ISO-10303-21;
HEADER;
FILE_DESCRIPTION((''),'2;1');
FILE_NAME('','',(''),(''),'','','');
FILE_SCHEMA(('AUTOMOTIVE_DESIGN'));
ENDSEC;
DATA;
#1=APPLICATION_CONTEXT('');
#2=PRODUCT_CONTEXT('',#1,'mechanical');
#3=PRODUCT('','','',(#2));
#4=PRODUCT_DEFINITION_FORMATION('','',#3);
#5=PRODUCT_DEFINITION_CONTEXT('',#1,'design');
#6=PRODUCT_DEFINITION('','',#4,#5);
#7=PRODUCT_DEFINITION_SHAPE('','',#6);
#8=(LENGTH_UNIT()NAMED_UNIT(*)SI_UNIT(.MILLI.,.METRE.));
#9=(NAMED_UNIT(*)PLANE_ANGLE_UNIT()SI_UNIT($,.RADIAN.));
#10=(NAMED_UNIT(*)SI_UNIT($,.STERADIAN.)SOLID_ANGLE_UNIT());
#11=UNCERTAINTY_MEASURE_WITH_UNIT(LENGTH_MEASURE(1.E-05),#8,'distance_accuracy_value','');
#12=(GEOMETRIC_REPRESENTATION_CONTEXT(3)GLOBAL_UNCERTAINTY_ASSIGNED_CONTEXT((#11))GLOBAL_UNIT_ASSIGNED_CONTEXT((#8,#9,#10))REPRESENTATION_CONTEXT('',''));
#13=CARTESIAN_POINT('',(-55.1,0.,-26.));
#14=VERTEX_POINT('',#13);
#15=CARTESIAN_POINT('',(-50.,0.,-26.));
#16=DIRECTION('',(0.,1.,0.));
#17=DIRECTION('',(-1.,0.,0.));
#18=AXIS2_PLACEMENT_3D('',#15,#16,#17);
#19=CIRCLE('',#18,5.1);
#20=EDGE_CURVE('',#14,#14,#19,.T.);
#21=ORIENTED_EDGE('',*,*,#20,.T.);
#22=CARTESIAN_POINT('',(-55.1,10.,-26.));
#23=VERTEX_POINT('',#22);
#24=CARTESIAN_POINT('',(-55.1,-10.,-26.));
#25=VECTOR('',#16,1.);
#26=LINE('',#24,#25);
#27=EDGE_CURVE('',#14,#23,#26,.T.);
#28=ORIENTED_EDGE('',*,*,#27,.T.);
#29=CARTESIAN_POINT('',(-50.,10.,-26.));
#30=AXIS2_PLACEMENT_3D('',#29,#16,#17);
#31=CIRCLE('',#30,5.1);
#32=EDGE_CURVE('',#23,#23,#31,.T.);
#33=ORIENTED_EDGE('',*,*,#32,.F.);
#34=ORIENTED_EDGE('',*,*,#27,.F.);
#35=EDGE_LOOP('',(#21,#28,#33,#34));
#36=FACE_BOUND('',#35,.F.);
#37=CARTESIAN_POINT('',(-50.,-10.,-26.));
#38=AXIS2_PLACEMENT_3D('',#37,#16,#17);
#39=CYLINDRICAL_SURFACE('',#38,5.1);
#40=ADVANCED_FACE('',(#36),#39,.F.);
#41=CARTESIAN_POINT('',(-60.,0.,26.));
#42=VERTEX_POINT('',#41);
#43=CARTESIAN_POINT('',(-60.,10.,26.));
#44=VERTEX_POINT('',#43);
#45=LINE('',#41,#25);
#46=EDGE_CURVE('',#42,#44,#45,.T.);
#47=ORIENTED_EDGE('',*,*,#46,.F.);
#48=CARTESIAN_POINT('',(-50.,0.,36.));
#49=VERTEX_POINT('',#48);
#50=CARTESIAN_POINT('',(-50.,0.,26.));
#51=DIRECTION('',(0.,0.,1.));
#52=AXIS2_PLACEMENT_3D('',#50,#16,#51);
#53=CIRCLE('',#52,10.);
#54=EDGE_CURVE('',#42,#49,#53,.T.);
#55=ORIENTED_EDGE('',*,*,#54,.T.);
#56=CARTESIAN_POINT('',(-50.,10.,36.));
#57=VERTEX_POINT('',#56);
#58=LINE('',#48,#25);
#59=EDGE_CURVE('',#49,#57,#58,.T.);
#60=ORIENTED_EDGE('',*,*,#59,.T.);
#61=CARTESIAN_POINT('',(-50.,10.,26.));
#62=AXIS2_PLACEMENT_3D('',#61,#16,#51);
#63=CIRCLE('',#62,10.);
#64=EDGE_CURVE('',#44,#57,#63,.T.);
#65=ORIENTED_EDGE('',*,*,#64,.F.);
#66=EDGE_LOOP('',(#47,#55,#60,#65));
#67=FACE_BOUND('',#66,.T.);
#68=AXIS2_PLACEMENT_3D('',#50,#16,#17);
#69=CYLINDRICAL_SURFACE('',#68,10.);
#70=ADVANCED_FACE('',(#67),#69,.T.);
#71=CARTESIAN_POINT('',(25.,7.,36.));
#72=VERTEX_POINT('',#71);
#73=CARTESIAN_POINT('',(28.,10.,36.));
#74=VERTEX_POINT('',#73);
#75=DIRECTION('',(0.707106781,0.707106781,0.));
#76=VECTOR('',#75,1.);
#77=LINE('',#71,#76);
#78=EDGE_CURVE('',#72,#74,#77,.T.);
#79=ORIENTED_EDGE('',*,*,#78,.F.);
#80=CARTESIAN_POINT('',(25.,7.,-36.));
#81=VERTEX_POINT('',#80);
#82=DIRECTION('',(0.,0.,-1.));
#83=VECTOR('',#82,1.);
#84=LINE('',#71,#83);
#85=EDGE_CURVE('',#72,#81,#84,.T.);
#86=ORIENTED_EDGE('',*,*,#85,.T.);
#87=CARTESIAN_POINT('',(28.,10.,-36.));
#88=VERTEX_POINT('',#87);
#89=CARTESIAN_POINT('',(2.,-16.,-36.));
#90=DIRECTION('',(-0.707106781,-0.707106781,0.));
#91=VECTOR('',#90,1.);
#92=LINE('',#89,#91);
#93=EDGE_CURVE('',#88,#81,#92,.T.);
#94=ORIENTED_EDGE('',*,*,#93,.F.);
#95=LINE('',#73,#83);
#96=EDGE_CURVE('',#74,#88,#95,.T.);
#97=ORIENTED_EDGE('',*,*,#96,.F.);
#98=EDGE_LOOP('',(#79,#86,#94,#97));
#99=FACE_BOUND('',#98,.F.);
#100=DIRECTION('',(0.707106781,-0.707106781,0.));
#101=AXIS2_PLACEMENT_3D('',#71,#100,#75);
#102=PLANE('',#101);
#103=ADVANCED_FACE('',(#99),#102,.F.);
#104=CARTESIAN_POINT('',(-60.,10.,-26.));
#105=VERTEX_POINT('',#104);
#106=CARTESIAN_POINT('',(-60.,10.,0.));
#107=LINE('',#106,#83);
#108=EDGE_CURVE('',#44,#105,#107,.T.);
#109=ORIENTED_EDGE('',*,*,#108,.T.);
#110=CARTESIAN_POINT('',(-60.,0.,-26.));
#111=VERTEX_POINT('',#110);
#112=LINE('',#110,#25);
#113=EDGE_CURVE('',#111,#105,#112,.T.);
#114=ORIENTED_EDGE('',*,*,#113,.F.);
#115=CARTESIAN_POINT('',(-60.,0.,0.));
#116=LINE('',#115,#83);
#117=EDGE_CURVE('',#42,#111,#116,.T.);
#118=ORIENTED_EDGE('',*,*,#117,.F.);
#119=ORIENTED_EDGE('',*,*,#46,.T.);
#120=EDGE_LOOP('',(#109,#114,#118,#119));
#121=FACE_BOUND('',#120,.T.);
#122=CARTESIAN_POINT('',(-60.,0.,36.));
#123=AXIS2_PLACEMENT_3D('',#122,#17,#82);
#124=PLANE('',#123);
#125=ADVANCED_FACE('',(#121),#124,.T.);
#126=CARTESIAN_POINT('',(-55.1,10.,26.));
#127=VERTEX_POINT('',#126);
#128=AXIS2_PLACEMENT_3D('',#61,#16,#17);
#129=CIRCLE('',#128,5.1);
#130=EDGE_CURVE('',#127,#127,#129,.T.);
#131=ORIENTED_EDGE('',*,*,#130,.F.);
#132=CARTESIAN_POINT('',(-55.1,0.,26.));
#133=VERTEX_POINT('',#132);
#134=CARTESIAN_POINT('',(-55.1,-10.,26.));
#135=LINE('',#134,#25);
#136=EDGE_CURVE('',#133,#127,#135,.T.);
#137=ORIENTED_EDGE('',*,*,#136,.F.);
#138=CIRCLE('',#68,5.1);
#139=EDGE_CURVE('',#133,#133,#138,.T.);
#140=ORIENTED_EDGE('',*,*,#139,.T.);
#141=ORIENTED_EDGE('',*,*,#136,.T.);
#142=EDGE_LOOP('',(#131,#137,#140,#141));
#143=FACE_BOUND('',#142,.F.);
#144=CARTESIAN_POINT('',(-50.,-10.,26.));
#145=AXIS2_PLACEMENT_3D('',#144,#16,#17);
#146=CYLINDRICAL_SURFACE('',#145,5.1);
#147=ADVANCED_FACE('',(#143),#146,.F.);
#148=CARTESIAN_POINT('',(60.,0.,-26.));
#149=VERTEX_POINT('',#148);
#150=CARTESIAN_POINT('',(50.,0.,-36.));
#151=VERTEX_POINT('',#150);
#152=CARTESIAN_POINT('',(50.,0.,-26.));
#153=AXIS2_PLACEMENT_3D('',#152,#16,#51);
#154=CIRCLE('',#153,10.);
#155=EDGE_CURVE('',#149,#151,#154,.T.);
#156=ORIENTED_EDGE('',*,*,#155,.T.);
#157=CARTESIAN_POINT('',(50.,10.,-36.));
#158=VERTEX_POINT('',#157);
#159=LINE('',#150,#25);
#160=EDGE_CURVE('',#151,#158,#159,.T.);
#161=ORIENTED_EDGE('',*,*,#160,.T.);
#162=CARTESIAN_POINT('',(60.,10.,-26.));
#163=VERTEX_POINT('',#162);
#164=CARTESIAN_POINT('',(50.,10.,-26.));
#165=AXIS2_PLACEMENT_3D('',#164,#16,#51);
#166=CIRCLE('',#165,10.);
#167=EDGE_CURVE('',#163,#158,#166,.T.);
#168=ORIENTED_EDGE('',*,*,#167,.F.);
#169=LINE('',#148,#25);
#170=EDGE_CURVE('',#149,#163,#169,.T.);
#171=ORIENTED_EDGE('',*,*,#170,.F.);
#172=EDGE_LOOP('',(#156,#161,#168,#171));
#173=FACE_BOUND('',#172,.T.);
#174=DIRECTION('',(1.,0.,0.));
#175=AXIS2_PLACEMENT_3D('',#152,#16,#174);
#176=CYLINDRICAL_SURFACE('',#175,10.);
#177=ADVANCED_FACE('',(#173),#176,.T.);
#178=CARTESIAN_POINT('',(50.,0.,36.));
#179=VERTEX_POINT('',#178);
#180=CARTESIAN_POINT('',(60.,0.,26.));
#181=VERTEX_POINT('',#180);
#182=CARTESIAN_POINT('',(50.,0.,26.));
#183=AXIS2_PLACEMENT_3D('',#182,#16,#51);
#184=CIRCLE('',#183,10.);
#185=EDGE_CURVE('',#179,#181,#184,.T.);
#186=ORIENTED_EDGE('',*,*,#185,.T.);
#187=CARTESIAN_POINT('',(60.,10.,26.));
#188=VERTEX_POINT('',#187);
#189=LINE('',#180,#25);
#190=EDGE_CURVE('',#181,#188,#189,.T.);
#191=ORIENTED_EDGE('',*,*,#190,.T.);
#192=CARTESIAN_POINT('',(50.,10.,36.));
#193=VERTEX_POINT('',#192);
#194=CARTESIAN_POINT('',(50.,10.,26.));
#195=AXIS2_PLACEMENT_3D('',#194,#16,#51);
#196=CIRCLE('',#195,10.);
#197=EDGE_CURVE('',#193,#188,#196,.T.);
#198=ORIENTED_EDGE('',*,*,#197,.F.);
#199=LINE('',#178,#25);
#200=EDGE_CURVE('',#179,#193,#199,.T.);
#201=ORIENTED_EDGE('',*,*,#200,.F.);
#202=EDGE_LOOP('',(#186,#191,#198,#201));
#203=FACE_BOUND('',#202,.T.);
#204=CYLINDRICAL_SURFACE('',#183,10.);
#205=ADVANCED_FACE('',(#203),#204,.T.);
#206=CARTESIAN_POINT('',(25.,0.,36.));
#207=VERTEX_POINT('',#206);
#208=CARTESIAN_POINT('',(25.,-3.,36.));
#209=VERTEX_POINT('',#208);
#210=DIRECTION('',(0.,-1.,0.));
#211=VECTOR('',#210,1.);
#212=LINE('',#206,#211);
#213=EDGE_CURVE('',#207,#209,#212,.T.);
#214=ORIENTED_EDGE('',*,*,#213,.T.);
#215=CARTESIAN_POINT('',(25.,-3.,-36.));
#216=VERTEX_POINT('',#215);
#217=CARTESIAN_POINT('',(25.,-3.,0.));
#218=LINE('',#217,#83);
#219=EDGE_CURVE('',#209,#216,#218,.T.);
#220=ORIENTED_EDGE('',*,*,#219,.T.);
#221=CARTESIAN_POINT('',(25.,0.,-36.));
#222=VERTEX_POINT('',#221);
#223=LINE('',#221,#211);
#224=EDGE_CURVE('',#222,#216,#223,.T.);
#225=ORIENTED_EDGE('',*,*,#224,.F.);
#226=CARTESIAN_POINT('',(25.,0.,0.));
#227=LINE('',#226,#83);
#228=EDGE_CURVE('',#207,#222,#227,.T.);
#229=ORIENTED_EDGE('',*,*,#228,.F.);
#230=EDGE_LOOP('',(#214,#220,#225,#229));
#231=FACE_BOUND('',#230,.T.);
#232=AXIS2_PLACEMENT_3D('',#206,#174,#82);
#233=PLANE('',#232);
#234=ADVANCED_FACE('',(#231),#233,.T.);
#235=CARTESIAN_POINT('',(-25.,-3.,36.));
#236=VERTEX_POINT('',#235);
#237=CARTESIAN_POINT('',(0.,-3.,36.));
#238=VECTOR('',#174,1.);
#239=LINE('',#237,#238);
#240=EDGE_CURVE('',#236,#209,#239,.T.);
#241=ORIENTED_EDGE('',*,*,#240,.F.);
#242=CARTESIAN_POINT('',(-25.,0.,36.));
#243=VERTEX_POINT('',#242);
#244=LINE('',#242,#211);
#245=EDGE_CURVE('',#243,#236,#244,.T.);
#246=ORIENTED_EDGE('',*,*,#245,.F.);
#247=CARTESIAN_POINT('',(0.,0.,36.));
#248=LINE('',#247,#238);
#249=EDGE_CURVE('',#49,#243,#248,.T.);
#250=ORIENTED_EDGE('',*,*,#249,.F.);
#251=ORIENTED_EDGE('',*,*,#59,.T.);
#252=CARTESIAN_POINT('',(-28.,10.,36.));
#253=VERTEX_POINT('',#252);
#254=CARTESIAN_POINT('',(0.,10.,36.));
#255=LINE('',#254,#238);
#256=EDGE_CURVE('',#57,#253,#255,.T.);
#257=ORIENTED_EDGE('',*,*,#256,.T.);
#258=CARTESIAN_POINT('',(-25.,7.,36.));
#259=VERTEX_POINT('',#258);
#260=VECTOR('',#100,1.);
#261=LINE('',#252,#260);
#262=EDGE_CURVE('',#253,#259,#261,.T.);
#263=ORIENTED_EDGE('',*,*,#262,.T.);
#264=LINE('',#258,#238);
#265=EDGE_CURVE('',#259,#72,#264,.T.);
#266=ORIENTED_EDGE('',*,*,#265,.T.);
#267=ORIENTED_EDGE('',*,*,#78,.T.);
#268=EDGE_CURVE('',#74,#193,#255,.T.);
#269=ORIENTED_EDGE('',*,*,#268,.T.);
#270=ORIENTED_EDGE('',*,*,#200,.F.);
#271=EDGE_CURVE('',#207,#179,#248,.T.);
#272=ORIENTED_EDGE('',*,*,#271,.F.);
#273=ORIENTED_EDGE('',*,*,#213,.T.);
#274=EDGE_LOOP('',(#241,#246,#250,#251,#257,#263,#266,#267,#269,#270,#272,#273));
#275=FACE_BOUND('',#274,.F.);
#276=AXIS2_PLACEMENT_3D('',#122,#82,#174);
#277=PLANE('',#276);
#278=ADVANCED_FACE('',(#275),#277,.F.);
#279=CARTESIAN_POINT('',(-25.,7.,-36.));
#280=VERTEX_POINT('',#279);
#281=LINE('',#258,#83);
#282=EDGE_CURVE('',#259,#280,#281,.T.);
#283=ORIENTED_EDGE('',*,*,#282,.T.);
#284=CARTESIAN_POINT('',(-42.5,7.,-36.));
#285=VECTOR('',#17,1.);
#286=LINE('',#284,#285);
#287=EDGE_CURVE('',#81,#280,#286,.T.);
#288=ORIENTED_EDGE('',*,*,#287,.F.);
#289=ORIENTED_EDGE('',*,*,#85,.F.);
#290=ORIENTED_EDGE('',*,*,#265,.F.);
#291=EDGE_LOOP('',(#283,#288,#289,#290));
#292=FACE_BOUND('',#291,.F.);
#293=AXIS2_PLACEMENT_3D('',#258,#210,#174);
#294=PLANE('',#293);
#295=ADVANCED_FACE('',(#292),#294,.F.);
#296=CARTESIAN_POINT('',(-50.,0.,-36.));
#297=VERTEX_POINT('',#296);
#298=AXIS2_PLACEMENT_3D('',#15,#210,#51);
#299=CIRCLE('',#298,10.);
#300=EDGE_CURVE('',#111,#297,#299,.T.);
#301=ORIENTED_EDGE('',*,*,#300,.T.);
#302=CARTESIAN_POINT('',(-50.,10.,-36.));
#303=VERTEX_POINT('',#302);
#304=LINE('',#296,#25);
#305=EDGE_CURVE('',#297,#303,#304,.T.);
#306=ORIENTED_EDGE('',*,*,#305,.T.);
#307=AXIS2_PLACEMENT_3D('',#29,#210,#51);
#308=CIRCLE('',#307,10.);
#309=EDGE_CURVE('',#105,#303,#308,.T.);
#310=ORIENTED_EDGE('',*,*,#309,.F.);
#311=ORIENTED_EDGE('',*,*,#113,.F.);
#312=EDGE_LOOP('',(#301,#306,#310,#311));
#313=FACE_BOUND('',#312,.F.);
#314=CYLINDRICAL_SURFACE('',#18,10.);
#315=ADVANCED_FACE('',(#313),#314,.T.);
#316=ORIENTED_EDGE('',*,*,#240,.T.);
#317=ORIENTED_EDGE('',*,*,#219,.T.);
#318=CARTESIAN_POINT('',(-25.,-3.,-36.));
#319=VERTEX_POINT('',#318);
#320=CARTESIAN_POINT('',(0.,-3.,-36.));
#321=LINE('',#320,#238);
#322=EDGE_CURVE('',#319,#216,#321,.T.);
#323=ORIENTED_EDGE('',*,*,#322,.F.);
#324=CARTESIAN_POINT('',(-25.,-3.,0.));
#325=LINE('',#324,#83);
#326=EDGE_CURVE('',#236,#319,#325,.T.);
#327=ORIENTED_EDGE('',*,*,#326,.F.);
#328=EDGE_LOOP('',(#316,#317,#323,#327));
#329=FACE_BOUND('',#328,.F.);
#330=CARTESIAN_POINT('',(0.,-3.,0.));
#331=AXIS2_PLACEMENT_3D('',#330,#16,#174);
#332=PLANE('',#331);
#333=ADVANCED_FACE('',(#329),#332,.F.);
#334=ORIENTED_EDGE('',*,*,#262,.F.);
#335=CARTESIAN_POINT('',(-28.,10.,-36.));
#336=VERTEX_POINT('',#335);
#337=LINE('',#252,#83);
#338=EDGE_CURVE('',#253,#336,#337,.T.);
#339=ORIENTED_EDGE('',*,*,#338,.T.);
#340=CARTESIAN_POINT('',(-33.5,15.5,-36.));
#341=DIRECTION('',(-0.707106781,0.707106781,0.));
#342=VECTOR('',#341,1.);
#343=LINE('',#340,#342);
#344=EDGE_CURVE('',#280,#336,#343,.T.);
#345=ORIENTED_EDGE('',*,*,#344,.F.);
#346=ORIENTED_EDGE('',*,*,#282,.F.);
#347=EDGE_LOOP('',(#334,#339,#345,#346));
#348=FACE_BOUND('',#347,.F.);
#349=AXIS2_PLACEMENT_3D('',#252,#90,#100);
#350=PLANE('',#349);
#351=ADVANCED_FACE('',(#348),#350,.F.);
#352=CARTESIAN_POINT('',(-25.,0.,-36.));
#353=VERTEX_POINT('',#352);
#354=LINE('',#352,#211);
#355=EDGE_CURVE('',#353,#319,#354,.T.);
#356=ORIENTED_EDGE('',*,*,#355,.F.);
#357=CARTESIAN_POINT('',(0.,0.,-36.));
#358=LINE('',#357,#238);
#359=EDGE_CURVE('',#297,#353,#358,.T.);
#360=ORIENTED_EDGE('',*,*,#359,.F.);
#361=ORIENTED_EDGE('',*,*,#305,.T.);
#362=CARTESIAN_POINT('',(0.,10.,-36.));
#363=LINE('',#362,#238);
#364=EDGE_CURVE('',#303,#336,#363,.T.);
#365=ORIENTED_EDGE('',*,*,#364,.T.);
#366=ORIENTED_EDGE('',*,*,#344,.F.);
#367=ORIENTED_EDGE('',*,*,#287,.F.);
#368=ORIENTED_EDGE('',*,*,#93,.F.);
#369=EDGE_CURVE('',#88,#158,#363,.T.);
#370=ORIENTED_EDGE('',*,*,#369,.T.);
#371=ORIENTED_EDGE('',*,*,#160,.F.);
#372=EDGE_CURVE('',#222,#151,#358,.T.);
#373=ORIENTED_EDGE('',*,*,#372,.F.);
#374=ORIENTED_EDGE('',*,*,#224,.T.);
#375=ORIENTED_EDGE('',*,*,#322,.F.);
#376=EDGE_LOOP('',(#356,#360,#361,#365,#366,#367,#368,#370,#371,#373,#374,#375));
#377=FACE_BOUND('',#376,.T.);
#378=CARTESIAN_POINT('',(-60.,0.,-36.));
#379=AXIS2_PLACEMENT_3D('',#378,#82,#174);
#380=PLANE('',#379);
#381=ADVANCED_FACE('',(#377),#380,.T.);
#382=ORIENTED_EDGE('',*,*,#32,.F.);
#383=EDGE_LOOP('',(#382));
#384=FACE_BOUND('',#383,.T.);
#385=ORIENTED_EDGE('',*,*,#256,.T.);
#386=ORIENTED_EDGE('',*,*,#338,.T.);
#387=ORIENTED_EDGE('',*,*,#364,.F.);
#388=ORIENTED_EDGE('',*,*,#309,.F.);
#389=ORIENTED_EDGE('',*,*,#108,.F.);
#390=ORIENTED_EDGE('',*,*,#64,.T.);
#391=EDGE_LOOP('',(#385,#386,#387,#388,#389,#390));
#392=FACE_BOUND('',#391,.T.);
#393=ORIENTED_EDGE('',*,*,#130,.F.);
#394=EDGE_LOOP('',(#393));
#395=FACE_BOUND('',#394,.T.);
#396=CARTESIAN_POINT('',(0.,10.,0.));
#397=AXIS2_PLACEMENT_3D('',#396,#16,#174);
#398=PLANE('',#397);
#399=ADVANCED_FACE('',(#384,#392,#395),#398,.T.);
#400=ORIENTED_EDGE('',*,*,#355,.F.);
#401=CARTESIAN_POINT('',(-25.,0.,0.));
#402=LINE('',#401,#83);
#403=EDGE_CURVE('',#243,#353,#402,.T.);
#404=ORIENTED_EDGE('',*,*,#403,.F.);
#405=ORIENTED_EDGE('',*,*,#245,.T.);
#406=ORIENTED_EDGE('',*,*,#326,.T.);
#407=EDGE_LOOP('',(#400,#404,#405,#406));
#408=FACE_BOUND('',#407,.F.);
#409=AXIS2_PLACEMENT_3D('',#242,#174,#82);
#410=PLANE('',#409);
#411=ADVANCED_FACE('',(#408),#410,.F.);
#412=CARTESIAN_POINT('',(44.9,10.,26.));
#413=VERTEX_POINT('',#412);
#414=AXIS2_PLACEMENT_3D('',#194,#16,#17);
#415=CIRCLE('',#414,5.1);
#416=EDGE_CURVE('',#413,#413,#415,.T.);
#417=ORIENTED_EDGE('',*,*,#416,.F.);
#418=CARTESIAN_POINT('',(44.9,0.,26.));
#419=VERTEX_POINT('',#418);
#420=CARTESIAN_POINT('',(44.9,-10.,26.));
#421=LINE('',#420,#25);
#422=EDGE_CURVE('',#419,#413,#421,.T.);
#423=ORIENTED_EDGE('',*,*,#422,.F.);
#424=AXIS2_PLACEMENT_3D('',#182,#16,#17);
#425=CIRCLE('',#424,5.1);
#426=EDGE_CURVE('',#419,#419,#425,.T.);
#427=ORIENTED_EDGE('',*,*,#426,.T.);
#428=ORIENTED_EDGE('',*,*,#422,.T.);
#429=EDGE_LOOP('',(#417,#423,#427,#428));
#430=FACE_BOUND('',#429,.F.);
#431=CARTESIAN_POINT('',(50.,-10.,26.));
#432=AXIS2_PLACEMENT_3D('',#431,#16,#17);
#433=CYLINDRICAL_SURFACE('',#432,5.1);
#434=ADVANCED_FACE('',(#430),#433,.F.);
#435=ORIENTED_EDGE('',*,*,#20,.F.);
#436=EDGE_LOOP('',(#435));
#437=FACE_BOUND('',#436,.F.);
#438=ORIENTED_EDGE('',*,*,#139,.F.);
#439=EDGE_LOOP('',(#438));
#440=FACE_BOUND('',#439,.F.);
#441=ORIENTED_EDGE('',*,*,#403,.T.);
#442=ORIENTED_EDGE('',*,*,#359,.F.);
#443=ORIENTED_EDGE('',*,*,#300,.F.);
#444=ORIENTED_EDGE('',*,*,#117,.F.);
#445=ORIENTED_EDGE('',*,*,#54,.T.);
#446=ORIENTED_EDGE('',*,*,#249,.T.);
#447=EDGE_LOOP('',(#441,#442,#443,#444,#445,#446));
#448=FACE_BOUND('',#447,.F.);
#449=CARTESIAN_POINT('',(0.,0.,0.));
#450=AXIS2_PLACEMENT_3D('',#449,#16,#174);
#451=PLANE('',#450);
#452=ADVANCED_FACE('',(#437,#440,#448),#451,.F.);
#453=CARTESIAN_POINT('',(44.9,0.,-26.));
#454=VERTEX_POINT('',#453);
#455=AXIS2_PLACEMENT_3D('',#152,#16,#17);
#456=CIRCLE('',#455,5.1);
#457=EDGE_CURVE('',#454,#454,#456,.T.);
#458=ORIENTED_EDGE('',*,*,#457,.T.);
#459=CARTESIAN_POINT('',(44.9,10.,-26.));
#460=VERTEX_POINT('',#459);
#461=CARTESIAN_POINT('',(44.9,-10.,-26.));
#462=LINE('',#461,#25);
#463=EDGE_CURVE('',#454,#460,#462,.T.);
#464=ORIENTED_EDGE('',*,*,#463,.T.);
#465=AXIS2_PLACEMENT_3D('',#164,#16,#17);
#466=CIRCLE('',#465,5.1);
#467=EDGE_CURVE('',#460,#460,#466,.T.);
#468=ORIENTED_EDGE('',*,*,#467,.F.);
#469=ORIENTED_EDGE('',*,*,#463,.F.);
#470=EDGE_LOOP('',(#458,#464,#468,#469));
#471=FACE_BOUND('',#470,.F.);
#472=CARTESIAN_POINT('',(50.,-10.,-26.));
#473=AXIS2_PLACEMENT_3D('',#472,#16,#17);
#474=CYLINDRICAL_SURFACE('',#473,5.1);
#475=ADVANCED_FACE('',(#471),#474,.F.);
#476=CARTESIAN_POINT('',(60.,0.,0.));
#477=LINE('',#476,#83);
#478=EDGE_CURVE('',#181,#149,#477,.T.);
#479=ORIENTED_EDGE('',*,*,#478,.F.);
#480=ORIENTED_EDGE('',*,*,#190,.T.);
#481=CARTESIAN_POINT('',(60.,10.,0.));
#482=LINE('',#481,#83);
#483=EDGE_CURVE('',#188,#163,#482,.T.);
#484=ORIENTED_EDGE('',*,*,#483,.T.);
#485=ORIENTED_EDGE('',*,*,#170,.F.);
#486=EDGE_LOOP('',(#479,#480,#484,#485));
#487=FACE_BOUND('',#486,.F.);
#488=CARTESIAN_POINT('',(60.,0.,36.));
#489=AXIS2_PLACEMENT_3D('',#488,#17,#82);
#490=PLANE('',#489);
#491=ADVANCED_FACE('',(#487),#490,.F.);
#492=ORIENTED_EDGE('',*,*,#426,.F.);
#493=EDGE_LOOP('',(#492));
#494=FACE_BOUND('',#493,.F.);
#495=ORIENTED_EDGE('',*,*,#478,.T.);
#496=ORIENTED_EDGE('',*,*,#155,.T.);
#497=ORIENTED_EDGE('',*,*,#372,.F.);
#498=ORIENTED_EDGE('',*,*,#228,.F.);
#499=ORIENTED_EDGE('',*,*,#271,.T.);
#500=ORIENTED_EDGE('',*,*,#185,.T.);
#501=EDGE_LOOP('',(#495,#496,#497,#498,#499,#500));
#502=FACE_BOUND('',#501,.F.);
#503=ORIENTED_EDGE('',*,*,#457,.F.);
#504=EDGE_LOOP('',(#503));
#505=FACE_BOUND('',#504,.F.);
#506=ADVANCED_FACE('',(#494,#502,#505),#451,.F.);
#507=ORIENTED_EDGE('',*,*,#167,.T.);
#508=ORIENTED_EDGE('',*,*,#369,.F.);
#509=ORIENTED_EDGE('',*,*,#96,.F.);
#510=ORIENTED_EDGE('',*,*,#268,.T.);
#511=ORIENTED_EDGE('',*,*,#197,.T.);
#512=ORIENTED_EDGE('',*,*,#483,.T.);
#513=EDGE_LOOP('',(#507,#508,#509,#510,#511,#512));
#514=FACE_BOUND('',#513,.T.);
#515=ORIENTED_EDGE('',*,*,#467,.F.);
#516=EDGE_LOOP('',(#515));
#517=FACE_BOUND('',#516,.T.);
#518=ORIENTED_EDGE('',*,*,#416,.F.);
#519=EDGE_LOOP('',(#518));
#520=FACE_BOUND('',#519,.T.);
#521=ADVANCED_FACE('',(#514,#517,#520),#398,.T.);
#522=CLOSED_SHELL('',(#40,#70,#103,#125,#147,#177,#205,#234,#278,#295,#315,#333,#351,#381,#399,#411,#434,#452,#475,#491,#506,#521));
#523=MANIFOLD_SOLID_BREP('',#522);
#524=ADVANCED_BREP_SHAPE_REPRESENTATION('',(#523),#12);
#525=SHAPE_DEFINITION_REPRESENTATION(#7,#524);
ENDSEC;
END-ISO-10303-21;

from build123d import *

# Parameters (mm, degrees)
SKETCH1_W              = 120
SKETCH1_H              = 72
BOSS_EXTRUDE1_DEPTH    = 10
FILLET1_R              = 10
M12_TAPPED_HOLE1_D     = 10.2
M12_TAPPED_HOLE1_DEPTH = 10
SKETCH6_W              = 50
SKETCH6_H              = 72
BOSS_EXTRUDE2_DEPTH    = 3
CUT_EXTRUDE1_DEPTH     = 73


with BuildPart() as part:
    # Sketch1 → Boss-Extrude1 (new body)
    with BuildSketch(Plane(origin=(0, 0, 0), x_dir=(1, 0, 0), z_dir=(0, 1, 0))):
        Rectangle(SKETCH1_W, SKETCH1_H)
    extrude(amount=BOSS_EXTRUDE1_DEPTH)

    # Fillet1
    fillet1_edges = [part.edges().sort_by_distance(p)[0] for p in [
        (60, 5, 36),
        (-60, 5, 36),
        (-60, 5, -36),
        (60, 5, -36),
    ]]
    fillet(fillet1_edges, radius=FILLET1_R)

    # M12 Tapped Hole1
    with Locations(Plane.XZ):
        with Locations((50, -26), (50, 26), (-50, 26), (-50, -26)):
            Hole(M12_TAPPED_HOLE1_D / 2, depth=M12_TAPPED_HOLE1_DEPTH)

    # Sketch6 → Boss-Extrude2 (add)
    with BuildSketch(Plane(origin=(0, 0, 0), x_dir=(1, 0, 0), z_dir=(0, 1, 0))):
        Rectangle(SKETCH6_W, SKETCH6_H)
    extrude(amount=-BOSS_EXTRUDE2_DEPTH)

    # Sketch11 → Cut-Extrude1 (cut, through all)
    with BuildSketch(Plane.XY.offset(36)):
        Polygon((-28, 10), (-25, 7), (25, 7), (28, 10), align=None)
    extrude(amount=-CUT_EXTRUDE1_DEPTH, mode=Mode.SUBTRACT)


solid = part.part
